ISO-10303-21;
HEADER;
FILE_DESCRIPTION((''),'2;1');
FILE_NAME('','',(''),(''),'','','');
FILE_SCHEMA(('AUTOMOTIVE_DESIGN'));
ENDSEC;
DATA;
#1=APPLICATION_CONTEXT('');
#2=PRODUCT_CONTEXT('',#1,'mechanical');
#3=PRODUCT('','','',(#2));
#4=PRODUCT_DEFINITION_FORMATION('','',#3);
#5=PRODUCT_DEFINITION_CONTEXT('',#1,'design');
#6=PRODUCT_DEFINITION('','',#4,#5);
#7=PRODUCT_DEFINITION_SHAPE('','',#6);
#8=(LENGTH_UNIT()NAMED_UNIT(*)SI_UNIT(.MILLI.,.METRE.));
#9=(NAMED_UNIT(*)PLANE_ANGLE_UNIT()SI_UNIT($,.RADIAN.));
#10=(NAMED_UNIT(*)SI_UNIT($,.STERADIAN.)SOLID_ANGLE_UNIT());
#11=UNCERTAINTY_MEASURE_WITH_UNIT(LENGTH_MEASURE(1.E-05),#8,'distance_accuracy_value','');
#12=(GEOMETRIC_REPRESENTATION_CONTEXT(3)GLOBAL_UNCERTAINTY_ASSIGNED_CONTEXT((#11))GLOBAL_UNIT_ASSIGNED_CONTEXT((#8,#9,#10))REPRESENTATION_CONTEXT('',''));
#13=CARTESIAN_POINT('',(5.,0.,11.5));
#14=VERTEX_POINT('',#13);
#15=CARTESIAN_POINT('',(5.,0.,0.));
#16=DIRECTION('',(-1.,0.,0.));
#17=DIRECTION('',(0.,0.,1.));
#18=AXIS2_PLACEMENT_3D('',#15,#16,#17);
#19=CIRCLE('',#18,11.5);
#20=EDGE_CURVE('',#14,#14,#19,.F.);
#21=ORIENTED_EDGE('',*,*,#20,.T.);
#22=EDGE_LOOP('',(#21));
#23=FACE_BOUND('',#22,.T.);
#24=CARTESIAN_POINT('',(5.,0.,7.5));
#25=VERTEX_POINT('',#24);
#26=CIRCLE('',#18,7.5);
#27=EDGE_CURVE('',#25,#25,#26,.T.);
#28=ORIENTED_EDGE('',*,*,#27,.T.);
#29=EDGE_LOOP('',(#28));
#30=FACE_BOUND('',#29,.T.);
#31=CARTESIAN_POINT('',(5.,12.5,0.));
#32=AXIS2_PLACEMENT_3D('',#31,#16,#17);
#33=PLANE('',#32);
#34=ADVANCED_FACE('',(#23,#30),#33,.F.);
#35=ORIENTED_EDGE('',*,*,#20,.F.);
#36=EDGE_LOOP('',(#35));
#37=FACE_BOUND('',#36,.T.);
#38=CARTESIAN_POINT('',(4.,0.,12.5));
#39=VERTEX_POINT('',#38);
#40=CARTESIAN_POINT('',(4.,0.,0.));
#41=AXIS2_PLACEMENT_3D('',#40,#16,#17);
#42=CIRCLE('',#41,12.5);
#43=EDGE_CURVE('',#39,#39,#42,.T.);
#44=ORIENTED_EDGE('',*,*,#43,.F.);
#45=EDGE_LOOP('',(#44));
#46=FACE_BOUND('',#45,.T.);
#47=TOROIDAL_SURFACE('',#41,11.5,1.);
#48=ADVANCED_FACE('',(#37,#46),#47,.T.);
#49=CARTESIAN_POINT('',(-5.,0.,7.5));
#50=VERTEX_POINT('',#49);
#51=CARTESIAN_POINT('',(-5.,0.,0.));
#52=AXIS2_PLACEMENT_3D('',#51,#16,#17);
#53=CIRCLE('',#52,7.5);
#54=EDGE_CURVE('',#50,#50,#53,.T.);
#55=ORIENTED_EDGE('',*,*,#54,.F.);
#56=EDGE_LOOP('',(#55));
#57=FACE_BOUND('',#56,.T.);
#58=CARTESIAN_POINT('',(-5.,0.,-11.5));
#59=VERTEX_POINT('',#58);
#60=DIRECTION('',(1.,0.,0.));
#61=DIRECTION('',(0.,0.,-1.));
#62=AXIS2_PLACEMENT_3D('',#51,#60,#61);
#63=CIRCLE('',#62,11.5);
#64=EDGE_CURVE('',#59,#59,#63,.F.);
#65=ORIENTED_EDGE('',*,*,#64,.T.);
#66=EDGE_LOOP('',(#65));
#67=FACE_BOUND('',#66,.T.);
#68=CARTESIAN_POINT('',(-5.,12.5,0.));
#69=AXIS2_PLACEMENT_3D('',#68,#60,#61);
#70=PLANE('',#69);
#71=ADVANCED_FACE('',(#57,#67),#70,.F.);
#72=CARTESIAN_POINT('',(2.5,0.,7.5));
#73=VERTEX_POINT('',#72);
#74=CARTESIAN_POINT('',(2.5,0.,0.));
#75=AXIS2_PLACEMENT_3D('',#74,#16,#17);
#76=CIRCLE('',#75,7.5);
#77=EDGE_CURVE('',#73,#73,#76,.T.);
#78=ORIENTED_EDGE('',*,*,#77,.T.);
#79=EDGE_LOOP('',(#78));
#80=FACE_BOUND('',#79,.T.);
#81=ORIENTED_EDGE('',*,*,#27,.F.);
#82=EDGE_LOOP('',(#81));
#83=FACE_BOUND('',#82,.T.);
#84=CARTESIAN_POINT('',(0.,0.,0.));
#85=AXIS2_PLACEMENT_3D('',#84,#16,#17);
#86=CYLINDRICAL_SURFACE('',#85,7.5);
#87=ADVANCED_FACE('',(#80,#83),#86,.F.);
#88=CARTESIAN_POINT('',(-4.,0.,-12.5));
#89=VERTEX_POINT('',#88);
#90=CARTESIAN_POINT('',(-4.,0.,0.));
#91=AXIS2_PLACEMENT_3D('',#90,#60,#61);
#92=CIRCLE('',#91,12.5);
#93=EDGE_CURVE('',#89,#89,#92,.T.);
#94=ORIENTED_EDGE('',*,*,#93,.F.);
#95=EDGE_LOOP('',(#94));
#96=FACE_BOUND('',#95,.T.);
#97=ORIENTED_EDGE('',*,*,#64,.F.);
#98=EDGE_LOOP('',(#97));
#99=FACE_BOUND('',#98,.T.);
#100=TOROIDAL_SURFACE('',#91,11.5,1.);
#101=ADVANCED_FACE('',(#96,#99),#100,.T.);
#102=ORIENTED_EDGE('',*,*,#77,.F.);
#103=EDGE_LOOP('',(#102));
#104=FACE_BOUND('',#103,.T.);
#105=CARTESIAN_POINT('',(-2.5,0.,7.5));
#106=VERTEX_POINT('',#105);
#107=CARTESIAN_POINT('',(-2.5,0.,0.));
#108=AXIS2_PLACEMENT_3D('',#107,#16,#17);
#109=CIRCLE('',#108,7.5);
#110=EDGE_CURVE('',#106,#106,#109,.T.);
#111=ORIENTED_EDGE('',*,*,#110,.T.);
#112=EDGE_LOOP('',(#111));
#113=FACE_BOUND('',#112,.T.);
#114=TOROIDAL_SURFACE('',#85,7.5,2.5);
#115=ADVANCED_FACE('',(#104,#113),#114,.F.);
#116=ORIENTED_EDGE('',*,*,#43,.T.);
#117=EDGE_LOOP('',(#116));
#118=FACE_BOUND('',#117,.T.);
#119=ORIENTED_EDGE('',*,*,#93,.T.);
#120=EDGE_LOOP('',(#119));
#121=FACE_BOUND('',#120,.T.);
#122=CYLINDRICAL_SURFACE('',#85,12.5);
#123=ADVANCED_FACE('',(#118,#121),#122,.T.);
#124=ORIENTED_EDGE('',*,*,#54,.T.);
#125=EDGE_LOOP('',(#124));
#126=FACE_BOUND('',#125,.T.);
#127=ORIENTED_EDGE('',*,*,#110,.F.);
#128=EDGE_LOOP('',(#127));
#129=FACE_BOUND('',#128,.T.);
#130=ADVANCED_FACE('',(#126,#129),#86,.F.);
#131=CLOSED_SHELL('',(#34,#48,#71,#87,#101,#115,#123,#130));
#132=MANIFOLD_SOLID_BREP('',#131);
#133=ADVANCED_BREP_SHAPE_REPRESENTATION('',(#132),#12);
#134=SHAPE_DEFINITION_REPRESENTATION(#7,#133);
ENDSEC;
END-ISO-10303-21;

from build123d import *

# Parameters (mm, degrees)
FILLET1_R = 1


with BuildPart() as part:
    # Sketch1 → Revolve1 (revolve)
    with BuildSketch(Plane.XY, mode=Mode.PRIVATE) as revolve1_sk:
        with BuildLine():
            Line((2.5, 7.5), (5, 7.5))
            Line((5, 7.5), (5, 12.5))
            Line((5, 12.5), (-5, 12.5))
            Line((-5, 12.5), (-5, 7.5))
            Line((-5, 7.5), (-2.5, 7.5))
            ThreePointArc((-2.5, 7.5), (0, 10), (2.5, 7.5))
        make_face()
    revolve(revolve1_sk.sketch.rotate(Axis((0, 0, 0), (1, 0, 0)), 90), axis=Axis((0, 0, 0), (1, 0, 0)))

    # Fillet1
    fillet1_edges = [part.edges().sort_by_distance(p)[0] for p in [
        (-5, 0, -12.5),
        (5, 0, -12.5),
    ]]
    fillet(fillet1_edges, radius=FILLET1_R)


solid = part.part
